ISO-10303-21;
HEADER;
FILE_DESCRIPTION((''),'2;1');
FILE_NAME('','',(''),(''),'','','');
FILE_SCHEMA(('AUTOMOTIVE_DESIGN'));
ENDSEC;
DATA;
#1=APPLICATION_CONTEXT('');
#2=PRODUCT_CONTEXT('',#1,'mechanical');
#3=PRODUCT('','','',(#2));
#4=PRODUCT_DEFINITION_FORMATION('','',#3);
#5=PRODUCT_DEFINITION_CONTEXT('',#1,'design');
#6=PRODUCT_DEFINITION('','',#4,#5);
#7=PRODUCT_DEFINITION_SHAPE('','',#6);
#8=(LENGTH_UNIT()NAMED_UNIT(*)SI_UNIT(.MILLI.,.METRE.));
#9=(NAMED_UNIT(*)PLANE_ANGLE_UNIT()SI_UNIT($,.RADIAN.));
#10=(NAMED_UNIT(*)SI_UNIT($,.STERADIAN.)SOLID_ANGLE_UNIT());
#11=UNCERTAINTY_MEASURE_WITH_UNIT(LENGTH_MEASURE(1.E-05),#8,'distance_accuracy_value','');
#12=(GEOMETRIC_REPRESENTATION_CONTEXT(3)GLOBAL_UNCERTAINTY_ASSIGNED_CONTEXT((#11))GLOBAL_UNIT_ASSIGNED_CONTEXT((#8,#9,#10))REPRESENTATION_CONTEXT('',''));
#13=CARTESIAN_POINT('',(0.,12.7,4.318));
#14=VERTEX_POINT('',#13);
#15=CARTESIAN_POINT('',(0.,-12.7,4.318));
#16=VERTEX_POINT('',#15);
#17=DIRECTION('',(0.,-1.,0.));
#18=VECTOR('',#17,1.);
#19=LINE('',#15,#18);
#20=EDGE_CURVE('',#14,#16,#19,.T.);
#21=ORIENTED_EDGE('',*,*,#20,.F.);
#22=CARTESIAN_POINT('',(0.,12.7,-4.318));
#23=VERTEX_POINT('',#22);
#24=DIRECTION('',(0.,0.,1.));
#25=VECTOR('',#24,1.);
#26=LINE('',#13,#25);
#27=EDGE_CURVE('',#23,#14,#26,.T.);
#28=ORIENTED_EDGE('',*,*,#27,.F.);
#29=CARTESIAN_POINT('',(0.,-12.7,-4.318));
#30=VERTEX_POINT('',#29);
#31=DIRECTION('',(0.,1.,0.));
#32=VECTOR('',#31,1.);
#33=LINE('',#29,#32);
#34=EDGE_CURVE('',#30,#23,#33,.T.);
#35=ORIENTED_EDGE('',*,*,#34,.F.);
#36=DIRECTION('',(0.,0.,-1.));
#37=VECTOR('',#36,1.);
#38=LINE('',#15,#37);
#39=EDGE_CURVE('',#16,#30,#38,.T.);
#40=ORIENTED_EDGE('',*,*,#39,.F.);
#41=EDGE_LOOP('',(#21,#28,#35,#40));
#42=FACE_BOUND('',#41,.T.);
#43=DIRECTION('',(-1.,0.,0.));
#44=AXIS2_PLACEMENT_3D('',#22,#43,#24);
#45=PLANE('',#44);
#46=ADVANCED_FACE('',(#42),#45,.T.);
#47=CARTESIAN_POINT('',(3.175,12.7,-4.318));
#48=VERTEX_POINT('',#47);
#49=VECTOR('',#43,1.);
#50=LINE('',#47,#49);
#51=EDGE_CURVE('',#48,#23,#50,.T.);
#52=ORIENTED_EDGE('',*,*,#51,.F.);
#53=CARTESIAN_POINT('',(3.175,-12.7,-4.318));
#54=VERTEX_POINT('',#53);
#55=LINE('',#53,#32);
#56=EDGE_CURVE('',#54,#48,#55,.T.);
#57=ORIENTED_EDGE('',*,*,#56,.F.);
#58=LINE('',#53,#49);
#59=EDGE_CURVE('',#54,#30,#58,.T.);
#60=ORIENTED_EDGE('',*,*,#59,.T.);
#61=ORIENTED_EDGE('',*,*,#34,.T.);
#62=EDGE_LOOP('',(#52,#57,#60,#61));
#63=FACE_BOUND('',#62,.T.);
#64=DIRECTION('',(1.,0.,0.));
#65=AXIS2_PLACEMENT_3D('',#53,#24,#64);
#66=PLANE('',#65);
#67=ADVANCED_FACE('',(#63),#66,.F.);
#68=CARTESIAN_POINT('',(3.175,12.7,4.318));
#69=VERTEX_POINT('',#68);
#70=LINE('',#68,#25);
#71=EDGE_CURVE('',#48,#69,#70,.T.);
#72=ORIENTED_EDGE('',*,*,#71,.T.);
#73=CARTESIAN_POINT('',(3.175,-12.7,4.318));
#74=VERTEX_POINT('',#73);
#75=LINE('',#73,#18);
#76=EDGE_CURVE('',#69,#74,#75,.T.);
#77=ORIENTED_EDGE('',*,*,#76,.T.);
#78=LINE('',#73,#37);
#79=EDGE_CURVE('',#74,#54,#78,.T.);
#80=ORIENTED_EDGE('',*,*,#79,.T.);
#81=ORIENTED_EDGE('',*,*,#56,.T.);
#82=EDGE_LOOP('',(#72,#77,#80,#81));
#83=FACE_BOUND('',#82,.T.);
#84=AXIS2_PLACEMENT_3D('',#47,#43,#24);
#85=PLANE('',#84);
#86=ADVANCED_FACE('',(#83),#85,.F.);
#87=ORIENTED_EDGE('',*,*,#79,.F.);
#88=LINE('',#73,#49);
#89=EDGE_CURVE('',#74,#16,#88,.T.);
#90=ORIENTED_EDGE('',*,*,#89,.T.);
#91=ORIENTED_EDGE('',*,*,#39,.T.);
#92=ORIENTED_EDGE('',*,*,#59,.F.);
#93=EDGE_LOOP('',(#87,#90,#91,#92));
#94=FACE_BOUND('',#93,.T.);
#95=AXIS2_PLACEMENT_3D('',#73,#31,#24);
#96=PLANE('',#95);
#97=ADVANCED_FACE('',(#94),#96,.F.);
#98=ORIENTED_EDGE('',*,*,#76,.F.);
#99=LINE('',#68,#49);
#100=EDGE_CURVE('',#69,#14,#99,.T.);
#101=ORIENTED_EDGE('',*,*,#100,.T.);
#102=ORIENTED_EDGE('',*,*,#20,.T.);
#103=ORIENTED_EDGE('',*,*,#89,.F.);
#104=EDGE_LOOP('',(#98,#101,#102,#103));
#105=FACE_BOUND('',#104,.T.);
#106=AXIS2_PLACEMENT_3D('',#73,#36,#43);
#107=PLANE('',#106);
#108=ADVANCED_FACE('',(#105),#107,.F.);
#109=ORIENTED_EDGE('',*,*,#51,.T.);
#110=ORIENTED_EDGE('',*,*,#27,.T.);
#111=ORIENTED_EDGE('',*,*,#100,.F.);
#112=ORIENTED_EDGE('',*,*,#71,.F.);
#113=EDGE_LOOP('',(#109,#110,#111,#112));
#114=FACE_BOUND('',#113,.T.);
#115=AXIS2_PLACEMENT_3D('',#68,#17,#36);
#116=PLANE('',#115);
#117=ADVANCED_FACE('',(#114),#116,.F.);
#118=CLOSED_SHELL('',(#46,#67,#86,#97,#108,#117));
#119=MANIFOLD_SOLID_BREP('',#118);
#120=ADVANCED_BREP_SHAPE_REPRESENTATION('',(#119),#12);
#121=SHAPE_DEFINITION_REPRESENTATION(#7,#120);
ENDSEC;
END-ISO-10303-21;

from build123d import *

# Parameters (mm, degrees)
SKETCH1_W           = 8.636
SKETCH1_H           = 25.4
BOSS_EXTRUDE1_DEPTH = 3.175


with BuildPart() as part:
    # Sketch1 → Boss-Extrude1 (new body)
    with BuildSketch(Plane(origin=(0, 0, 0), x_dir=(0, 0, -1), z_dir=(1, 0, 0))):
        Rectangle(SKETCH1_W, SKETCH1_H)
    extrude(amount=BOSS_EXTRUDE1_DEPTH)


solid = part.part
